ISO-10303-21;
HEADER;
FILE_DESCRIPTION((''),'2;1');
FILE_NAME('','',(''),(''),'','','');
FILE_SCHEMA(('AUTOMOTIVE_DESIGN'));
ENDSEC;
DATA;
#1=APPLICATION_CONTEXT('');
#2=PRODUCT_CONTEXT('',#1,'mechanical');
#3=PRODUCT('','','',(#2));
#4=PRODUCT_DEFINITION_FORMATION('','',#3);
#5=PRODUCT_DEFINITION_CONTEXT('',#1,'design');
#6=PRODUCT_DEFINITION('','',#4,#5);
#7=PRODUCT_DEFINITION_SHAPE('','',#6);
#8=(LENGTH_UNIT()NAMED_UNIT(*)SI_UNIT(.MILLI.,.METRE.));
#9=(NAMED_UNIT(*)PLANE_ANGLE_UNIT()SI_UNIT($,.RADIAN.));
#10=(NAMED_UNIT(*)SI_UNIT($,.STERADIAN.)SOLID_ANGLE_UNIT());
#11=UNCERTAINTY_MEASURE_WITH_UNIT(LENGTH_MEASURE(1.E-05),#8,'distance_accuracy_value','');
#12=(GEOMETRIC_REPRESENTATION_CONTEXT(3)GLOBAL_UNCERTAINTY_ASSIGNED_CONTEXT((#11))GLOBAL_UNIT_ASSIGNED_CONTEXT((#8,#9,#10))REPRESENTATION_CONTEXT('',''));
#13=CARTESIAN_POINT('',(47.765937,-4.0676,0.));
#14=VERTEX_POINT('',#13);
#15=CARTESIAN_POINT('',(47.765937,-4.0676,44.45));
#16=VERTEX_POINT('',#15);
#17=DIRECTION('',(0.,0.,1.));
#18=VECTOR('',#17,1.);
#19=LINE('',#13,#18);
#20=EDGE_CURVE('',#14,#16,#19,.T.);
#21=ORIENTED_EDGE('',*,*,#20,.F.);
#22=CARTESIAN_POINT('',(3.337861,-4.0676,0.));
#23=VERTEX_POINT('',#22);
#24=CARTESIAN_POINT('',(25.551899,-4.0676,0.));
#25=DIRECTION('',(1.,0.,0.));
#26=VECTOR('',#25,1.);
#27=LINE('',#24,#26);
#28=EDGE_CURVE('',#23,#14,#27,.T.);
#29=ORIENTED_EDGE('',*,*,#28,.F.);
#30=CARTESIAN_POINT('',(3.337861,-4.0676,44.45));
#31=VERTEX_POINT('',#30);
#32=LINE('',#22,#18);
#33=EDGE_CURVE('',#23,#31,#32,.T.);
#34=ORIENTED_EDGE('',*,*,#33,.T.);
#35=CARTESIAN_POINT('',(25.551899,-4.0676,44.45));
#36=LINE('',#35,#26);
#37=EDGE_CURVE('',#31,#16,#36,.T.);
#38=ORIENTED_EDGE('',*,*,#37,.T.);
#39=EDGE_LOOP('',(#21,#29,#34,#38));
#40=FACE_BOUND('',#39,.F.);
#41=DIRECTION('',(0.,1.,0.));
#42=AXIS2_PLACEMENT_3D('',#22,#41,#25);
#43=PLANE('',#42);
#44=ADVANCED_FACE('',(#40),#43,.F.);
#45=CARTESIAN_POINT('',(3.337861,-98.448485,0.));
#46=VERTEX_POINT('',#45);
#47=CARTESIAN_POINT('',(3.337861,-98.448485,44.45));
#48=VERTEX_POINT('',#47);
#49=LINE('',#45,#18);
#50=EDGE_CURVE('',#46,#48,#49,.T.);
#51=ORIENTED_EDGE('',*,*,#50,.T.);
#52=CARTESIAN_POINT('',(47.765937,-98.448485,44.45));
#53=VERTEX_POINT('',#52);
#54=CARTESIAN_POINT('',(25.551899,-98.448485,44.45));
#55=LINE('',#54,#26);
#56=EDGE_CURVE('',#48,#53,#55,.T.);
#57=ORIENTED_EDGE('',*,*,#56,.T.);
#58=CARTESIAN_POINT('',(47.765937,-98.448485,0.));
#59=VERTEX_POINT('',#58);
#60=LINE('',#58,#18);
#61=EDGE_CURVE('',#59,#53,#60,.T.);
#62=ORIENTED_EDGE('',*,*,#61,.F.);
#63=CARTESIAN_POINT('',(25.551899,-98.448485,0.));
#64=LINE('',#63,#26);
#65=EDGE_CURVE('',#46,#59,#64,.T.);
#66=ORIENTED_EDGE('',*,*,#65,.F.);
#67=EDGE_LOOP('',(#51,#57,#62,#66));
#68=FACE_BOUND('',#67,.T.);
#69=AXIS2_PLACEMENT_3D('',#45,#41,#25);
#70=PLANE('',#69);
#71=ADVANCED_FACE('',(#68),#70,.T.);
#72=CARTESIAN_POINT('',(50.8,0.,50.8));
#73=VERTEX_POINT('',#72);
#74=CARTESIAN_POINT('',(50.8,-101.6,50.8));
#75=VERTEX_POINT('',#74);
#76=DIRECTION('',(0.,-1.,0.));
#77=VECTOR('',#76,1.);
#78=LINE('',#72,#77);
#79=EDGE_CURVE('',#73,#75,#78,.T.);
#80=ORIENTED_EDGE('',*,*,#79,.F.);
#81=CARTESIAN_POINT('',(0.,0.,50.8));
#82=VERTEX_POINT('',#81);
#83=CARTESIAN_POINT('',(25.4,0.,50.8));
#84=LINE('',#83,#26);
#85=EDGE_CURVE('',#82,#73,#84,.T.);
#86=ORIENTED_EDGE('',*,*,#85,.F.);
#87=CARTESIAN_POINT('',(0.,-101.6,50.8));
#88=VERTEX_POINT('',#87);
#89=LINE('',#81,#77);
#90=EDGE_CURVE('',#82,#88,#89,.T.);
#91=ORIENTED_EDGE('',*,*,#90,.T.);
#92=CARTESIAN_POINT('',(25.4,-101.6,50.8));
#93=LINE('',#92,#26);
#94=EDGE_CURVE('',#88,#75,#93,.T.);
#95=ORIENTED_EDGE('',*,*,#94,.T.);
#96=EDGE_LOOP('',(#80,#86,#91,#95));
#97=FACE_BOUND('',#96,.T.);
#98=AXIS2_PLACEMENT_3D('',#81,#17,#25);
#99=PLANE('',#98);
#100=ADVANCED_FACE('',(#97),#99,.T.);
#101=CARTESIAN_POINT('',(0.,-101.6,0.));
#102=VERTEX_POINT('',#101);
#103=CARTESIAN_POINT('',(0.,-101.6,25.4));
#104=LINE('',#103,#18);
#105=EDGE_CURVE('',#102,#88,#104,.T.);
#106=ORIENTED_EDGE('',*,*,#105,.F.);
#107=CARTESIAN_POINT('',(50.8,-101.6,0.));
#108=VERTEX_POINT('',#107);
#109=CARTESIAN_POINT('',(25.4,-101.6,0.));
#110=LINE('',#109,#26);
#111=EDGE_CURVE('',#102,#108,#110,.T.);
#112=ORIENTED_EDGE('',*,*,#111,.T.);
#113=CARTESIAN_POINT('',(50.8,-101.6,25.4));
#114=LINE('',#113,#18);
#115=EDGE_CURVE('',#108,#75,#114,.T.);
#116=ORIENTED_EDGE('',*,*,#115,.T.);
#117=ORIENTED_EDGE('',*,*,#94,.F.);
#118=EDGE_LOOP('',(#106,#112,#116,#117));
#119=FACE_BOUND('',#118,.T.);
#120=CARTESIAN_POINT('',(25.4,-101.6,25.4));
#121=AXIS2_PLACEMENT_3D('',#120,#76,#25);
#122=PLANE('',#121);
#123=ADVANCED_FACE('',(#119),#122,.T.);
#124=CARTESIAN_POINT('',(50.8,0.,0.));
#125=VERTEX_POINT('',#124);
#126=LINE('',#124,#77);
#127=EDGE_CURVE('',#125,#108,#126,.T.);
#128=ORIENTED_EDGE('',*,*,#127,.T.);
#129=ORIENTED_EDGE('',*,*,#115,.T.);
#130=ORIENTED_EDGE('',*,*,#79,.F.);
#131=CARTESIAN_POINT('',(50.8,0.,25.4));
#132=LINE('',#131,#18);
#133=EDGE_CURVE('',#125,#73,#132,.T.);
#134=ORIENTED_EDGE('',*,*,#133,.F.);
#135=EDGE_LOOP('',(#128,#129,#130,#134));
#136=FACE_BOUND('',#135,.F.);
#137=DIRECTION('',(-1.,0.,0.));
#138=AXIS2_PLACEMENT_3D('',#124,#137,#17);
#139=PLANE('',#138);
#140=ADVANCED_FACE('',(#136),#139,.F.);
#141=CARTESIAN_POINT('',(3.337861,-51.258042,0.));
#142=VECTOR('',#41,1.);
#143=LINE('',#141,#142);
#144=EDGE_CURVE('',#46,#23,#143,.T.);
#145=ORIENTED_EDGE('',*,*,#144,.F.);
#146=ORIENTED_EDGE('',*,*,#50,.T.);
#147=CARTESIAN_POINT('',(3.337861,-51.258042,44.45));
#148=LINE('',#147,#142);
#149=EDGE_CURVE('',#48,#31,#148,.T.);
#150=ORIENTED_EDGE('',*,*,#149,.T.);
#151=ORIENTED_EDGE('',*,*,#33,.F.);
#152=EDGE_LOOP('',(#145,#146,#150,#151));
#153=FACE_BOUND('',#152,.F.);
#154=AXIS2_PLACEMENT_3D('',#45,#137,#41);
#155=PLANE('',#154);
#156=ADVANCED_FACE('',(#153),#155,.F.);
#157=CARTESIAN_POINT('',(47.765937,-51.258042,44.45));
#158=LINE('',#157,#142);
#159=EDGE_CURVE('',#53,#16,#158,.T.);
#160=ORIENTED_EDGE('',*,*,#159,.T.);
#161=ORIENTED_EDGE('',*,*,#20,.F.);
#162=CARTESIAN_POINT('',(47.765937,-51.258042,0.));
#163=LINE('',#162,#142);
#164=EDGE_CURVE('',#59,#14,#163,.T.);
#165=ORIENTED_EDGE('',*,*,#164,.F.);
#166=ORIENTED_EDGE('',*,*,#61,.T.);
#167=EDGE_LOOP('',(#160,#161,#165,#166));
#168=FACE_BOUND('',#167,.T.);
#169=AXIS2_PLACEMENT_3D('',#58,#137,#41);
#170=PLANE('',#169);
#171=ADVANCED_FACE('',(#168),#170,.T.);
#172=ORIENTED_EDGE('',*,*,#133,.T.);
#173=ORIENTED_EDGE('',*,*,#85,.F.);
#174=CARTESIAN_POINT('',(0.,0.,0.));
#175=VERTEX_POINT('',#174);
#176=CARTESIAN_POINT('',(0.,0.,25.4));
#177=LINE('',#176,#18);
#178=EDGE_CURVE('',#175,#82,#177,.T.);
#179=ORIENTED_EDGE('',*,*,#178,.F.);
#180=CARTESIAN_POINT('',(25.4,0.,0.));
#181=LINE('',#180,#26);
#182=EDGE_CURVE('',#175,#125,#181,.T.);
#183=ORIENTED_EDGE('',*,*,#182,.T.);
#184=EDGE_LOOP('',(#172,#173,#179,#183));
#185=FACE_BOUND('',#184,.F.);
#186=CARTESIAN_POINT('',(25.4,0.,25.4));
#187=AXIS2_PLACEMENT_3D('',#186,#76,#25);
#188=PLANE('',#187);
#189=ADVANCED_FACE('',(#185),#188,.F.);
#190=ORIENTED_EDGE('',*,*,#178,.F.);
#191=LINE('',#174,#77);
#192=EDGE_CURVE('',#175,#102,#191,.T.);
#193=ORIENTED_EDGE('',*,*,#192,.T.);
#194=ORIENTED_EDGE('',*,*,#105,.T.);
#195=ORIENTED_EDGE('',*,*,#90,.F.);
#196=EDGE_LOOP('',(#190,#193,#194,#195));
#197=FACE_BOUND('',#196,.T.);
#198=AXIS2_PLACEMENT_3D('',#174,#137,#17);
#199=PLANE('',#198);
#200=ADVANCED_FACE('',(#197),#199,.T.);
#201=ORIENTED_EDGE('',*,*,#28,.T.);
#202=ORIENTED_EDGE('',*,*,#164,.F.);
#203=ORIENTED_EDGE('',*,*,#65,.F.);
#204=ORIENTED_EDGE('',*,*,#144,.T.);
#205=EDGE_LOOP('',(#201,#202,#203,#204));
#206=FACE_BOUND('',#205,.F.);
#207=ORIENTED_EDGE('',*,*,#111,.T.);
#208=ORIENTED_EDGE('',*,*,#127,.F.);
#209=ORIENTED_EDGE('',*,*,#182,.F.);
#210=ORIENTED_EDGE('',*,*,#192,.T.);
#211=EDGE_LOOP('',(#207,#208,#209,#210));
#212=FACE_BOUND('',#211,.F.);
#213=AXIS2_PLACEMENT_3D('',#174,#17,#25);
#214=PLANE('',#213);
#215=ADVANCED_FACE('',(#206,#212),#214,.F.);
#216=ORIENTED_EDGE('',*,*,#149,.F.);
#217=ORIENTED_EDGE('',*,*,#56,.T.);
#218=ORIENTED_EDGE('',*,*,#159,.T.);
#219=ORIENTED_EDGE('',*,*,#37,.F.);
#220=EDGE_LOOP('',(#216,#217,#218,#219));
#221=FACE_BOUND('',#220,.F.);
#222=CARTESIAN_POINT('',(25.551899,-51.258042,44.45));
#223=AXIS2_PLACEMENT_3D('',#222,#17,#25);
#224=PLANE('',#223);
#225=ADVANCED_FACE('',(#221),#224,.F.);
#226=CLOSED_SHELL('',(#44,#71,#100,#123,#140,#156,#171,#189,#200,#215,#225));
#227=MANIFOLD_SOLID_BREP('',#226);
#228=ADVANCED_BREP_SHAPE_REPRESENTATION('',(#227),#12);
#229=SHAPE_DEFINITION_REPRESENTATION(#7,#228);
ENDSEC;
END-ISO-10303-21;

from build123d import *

# Parameters (mm, degrees)
F0_W     = 50.8
F0_H     = 50.8
F1_DEPTH = 101.6
F2_W     = 44.428077
F2_H     = 94.380885
F3_DEPTH = 44.45


with BuildPart() as f1:
    # F0 (on Front) → F1 (new body)
    with BuildSketch(Plane.XZ):
        with Locations((25.4, 25.4)):
            Rectangle(F0_W, F0_H)
    extrude(amount=F1_DEPTH)

    # F2 (on Top) → F3 (cut)
    with BuildSketch(Plane.XY):
        with Locations((25.551899, -51.258042)):
            Rectangle(F2_W, F2_H)
    extrude(amount=F3_DEPTH, mode=Mode.SUBTRACT)


solid = f1.part
